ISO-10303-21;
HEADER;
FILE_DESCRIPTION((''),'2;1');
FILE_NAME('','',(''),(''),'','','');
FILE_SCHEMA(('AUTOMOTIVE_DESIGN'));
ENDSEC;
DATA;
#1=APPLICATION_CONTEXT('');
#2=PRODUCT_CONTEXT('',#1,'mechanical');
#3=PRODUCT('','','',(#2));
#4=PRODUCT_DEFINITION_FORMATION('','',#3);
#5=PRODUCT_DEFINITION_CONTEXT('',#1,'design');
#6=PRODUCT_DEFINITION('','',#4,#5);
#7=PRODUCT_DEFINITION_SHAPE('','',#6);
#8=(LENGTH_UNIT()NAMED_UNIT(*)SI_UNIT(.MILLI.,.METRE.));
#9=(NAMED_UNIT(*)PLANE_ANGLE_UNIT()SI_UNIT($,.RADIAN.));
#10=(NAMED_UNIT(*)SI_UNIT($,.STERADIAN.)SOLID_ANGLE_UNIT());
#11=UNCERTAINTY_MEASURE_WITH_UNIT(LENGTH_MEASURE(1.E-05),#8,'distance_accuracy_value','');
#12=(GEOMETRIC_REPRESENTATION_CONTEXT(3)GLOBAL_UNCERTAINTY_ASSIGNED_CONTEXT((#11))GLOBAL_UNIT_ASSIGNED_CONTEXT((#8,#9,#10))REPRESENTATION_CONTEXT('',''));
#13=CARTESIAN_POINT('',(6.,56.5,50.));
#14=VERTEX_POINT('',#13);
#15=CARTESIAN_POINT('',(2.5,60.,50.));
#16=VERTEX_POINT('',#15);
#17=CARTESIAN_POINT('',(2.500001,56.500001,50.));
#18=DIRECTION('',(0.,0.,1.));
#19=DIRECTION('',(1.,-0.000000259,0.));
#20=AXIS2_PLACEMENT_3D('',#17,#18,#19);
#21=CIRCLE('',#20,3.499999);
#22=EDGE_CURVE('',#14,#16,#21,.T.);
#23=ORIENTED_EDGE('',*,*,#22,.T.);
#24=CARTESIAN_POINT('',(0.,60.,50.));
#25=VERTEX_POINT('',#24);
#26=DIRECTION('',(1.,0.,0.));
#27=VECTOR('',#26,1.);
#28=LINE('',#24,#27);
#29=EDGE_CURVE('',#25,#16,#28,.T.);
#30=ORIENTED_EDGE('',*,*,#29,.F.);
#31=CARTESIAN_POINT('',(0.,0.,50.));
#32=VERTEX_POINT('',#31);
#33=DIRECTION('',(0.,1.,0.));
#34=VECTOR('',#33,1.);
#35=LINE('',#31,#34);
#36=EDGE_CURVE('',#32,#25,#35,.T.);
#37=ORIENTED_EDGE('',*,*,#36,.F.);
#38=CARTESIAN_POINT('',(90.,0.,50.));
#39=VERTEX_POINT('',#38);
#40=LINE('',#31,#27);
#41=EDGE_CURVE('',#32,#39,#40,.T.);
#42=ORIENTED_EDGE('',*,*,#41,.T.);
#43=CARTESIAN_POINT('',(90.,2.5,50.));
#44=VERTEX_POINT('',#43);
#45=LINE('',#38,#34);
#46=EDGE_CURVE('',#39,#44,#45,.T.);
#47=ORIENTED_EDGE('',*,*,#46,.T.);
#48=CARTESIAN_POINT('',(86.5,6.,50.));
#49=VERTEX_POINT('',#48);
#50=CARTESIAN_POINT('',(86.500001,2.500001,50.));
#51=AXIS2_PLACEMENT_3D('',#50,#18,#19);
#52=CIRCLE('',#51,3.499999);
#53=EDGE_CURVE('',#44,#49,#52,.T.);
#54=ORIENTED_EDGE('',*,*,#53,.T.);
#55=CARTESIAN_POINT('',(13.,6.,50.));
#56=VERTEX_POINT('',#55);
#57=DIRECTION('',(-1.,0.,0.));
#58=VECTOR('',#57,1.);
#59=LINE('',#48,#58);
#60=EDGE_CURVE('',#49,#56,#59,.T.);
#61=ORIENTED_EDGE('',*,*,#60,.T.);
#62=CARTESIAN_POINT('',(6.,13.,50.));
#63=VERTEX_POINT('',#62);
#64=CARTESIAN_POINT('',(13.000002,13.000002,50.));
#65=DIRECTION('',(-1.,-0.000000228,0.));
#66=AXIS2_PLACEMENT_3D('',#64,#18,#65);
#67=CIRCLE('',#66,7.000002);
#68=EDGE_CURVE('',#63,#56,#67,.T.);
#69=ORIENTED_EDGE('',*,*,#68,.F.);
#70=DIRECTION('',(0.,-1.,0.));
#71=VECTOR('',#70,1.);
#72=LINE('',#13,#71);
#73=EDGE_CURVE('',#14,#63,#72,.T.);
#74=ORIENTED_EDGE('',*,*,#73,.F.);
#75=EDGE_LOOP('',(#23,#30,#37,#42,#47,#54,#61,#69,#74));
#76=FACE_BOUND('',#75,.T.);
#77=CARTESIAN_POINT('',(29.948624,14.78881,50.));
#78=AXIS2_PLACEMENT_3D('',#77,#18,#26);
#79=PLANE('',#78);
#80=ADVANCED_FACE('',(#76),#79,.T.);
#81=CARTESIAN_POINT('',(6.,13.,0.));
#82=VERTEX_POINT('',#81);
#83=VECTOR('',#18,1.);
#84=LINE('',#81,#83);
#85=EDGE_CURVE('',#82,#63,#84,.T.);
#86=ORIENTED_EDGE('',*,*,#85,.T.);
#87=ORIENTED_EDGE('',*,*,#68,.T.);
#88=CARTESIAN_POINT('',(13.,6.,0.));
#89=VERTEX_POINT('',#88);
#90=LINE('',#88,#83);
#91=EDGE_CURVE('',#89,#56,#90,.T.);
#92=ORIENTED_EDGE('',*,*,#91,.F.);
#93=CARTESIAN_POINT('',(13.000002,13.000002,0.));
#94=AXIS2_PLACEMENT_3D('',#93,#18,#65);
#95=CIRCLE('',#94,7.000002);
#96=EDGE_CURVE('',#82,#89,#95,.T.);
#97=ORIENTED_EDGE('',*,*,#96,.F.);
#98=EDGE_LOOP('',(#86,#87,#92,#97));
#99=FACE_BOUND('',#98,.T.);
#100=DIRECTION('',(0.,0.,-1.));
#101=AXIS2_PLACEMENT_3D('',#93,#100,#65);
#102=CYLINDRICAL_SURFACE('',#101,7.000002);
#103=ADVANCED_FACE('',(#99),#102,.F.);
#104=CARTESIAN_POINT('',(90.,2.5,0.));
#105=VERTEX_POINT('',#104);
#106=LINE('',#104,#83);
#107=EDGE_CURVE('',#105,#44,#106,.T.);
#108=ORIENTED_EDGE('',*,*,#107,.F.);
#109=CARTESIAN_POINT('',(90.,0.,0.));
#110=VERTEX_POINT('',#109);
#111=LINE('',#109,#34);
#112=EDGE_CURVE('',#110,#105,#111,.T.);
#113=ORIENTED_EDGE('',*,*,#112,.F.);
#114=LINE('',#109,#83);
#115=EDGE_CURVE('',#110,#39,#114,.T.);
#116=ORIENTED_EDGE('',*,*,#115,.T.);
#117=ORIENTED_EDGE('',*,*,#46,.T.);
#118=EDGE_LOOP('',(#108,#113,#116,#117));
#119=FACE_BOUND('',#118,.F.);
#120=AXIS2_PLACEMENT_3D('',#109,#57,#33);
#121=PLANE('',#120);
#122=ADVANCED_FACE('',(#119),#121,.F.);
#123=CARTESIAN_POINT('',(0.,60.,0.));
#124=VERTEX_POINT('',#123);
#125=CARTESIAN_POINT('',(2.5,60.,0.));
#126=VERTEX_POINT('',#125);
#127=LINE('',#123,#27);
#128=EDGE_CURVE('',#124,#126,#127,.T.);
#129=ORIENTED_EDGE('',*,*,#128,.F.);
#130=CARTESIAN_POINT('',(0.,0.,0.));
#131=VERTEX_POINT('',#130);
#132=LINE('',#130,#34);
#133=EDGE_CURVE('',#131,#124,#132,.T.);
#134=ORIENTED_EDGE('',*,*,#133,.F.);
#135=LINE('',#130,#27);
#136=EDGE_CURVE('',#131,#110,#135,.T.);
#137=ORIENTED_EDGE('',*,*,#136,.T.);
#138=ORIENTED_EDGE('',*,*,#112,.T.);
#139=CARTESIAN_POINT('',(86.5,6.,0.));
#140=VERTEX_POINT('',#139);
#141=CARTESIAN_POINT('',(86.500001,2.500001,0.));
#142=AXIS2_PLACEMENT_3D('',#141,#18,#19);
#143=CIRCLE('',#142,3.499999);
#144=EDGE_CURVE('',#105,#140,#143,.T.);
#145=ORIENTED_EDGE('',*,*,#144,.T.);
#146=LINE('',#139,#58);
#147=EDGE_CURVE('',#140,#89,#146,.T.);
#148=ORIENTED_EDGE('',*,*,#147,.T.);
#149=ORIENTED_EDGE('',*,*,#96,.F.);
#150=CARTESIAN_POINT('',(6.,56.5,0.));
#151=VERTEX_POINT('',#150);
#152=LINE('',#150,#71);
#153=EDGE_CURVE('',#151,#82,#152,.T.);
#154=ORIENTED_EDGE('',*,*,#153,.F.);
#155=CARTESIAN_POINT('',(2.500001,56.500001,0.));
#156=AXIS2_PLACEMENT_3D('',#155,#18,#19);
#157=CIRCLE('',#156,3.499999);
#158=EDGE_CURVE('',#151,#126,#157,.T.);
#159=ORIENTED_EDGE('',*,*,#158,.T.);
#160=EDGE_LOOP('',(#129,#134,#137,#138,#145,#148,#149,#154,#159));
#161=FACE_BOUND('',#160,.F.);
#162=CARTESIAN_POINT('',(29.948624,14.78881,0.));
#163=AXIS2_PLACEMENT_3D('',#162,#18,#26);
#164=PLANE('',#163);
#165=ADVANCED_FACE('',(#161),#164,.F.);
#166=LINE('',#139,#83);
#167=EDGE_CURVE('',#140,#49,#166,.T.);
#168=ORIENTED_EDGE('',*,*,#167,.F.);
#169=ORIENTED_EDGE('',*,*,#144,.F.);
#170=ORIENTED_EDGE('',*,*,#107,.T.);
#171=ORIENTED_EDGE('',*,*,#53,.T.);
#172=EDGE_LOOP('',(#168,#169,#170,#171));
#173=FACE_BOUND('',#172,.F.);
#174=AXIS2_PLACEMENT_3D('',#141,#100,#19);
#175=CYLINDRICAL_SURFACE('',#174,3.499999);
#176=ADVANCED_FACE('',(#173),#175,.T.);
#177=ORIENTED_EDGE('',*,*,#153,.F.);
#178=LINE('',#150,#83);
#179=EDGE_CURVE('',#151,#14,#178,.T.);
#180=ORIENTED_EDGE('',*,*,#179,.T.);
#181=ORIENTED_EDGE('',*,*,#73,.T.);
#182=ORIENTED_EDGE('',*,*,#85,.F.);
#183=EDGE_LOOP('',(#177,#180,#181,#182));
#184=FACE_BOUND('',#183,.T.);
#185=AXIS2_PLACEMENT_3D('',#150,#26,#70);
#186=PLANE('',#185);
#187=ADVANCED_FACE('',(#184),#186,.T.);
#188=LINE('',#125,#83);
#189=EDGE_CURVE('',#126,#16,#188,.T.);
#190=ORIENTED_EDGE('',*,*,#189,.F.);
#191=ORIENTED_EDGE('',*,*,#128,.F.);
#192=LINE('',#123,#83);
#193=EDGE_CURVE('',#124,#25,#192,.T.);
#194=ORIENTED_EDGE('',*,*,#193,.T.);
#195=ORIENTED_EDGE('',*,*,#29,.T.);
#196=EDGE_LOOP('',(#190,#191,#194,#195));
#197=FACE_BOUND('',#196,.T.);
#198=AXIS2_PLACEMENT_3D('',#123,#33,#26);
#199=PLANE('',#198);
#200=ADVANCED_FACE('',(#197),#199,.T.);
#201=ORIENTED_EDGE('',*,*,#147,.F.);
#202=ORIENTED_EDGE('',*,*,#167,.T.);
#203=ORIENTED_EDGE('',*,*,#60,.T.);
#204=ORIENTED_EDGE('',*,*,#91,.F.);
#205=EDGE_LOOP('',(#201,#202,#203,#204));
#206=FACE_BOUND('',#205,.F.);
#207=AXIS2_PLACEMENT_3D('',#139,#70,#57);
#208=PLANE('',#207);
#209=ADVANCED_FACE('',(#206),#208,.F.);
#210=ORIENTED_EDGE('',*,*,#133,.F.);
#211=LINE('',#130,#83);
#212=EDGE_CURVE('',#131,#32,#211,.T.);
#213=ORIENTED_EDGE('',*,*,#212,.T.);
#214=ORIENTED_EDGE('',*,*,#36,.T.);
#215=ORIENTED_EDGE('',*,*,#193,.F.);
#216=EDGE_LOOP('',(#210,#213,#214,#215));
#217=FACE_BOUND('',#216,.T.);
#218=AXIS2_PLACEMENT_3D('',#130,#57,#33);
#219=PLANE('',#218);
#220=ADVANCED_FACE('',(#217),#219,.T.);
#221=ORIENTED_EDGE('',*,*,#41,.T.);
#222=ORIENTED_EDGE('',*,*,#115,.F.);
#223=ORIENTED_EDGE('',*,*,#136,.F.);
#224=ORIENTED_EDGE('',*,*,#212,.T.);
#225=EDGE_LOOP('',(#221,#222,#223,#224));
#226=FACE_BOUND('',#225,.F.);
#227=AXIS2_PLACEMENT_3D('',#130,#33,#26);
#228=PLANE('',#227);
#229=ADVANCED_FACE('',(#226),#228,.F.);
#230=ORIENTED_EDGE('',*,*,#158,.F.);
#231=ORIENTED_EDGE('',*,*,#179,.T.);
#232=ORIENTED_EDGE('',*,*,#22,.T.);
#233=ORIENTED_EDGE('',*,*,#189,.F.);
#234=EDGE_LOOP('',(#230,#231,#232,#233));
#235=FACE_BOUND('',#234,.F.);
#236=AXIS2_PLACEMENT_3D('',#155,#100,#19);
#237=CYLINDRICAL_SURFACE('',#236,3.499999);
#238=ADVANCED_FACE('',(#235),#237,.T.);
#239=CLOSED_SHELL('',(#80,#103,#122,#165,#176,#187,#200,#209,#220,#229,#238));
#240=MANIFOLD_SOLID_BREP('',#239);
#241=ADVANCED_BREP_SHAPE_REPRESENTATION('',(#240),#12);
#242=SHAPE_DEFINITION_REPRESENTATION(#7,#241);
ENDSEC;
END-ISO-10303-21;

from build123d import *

# Parameters (mm, degrees)
EXTRUDE_DEPTH = 50


with BuildPart() as part:
    # Sketch → Extrude (new body)
    with BuildSketch(Plane.XY):
        with BuildLine():
            Line((0, 0), (90, 0))
            Line((90, 0), (90, 2.5))
            ThreePointArc((90, 2.5), (88.974874, 4.974874), (86.5, 6))
            Line((86.5, 6), (13, 6))
            ThreePointArc((6, 13), (8.050253, 8.050253), (13, 6))
            Line((6, 56.5), (6, 13))
            ThreePointArc((6, 56.5), (4.974874, 58.974874), (2.5, 60))
            Line((0, 60), (2.5, 60))
            Line((0, 0), (0, 60))
        make_face()
    extrude(amount=EXTRUDE_DEPTH)


solid = part.part
